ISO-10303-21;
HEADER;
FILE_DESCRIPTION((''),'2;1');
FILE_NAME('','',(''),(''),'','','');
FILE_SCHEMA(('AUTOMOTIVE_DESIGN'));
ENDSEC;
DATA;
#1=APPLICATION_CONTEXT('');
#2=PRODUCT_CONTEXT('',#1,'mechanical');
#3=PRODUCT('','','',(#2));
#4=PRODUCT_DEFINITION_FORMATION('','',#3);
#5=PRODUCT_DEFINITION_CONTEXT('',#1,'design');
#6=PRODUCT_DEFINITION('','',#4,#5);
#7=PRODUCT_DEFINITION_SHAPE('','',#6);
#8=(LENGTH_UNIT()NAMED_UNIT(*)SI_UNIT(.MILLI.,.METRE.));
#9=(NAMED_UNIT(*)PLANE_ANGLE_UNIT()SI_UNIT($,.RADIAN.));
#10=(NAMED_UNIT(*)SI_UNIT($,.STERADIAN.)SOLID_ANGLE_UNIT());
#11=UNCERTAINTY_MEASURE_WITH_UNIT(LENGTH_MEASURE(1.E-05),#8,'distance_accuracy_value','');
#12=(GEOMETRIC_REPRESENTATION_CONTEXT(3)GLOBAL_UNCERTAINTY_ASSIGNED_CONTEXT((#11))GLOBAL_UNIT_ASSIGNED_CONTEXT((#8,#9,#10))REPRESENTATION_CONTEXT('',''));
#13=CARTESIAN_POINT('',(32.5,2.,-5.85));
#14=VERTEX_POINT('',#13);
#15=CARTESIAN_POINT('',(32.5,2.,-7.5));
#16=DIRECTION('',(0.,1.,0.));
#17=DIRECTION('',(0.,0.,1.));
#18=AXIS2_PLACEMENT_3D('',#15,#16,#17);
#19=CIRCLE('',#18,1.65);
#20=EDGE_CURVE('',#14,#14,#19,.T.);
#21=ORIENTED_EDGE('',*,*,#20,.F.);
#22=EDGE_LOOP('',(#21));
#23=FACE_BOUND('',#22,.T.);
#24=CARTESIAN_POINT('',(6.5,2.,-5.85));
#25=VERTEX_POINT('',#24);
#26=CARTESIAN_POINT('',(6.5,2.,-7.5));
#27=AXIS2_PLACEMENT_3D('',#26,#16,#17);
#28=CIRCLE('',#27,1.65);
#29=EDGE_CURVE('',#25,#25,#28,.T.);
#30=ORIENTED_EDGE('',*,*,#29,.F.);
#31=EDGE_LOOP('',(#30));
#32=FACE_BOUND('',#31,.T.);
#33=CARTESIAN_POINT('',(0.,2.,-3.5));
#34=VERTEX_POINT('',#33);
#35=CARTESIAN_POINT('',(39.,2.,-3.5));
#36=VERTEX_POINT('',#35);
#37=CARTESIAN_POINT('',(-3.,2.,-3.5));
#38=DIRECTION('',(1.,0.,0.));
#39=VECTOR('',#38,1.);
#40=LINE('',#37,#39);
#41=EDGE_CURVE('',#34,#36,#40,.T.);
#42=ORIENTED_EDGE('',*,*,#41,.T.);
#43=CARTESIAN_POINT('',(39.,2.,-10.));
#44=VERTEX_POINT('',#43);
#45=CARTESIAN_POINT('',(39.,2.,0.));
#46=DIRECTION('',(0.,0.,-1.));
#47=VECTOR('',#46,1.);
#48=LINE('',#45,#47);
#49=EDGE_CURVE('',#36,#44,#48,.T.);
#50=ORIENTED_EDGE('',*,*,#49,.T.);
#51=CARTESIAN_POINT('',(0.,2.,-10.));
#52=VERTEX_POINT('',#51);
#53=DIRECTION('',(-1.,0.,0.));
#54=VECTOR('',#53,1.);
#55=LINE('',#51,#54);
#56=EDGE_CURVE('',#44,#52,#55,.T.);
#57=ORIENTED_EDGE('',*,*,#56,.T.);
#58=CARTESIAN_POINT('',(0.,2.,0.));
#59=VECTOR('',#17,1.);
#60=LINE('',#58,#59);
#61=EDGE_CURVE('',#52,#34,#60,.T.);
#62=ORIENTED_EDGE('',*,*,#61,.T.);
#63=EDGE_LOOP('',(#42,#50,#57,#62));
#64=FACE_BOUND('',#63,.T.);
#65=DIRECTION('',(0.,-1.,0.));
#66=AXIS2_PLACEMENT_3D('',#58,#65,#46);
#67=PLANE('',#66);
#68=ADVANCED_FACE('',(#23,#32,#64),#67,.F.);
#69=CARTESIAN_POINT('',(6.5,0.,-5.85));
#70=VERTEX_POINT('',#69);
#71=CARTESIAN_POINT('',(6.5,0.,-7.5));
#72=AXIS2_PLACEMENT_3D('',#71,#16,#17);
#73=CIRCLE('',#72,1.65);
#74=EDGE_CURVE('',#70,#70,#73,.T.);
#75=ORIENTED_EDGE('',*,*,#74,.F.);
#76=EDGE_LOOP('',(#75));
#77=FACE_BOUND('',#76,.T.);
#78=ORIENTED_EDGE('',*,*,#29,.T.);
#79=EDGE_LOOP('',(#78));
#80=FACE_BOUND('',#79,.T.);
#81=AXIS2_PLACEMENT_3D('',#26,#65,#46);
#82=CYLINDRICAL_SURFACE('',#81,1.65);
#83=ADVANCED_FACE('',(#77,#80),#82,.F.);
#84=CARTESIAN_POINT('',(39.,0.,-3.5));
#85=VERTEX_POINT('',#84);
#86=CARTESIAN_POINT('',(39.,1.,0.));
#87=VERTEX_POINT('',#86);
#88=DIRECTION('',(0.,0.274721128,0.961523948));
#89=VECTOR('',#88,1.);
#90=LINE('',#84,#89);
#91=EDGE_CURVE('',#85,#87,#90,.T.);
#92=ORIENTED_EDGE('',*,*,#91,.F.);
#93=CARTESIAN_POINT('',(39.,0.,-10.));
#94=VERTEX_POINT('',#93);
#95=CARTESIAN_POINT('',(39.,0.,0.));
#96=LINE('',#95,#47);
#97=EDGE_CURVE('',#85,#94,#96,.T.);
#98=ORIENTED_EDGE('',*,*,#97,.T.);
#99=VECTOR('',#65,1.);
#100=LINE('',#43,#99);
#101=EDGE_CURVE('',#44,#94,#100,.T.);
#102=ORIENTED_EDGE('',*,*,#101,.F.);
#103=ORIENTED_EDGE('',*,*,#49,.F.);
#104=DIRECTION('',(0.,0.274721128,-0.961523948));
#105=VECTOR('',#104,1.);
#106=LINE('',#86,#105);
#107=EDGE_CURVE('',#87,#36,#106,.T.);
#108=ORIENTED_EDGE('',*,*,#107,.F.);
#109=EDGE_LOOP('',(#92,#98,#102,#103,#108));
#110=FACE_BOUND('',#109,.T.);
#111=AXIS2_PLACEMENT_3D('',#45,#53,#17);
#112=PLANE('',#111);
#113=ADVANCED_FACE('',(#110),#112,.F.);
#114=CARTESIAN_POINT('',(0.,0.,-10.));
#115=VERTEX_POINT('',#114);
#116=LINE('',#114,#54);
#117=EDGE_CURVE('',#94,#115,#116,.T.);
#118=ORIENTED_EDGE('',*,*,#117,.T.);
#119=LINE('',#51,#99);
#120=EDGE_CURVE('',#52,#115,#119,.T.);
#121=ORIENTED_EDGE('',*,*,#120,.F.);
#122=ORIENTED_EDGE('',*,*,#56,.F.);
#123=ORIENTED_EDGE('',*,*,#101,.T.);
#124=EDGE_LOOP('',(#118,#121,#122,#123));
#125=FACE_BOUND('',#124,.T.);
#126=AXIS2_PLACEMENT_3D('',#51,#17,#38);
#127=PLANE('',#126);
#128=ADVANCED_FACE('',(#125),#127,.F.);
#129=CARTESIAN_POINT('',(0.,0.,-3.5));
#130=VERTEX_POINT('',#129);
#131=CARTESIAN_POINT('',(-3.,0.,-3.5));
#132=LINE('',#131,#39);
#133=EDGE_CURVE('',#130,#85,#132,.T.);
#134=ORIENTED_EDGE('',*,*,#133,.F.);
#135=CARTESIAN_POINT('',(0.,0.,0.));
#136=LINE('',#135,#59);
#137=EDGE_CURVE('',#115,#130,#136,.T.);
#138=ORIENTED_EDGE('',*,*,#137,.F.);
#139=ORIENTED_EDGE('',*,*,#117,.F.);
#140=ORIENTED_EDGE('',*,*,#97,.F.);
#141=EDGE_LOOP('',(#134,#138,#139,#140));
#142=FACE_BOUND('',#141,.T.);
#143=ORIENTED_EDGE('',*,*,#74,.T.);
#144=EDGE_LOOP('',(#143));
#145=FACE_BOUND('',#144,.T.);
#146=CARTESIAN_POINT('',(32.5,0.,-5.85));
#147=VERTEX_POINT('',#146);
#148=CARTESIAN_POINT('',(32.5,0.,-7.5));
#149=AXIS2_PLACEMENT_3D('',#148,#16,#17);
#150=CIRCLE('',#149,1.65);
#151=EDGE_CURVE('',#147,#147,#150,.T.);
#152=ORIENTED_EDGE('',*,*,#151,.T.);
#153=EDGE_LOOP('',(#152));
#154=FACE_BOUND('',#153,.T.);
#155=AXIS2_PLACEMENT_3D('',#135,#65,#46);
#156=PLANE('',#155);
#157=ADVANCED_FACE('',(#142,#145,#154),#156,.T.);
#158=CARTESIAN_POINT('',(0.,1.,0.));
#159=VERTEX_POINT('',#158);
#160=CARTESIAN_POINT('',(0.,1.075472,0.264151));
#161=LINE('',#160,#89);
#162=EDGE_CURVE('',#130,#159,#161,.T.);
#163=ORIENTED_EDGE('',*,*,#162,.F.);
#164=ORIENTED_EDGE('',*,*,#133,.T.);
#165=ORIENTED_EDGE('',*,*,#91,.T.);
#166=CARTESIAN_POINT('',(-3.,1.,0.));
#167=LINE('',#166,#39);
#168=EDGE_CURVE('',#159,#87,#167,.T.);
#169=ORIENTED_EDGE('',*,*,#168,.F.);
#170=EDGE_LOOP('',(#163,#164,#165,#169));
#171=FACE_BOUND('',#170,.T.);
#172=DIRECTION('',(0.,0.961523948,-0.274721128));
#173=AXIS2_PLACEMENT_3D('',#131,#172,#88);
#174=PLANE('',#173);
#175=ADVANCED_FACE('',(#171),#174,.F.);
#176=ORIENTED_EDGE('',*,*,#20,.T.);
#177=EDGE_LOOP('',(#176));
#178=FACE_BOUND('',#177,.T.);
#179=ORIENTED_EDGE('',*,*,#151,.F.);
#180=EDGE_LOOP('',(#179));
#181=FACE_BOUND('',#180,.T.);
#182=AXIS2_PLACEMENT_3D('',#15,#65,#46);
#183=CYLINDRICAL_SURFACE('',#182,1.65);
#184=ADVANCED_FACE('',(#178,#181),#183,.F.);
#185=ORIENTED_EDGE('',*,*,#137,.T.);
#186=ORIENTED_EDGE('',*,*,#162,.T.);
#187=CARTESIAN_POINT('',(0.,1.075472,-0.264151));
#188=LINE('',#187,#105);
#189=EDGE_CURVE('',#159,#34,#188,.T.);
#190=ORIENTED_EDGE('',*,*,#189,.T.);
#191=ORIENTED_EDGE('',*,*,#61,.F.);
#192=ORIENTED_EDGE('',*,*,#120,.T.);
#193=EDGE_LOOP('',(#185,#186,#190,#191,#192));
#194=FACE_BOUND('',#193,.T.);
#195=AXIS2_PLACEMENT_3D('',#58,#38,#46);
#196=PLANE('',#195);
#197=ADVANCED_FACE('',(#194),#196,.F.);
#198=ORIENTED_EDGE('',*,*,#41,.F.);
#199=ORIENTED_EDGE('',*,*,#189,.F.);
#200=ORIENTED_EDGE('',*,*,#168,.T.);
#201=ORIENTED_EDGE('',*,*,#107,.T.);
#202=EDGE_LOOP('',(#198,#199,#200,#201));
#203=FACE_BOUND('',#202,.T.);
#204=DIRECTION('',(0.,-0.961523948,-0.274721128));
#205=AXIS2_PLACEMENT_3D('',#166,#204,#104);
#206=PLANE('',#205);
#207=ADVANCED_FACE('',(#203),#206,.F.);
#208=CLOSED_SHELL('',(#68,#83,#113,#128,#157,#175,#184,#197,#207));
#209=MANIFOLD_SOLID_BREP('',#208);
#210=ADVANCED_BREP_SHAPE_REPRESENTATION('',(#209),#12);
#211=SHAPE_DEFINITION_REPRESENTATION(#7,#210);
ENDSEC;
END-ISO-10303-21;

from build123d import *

# Parameters (mm, degrees)
SKETCH_1_W          = 39
SKETCH_1_H          = 10
SKETCH_1_R          = 1.65
EXTRUDE_1_DEPTH     = 2
CUT_EXTRUDE_1_DEPTH = 42
CUT_EXTRUDE_2_DEPTH = 42


with BuildPart() as part:
    # 草图1 → 凸台-拉伸1 (new body)
    with BuildSketch(Plane(origin=(0, 0, 0), x_dir=(1, 0, 0), z_dir=(0, 1, 0))):
        with Locations((19.5, 5)):
            Rectangle(SKETCH_1_W, SKETCH_1_H)
        with Locations(Location((6.5, 7.5, 0), (0, 0, 270))):
            Circle(SKETCH_1_R, mode=Mode.SUBTRACT)
        with Locations(Location((32.5, 7.5, 0), (0, 0, 270))):
            Circle(SKETCH_1_R, mode=Mode.SUBTRACT)
    extrude(amount=EXTRUDE_1_DEPTH)

    # 草图2 → 切除-拉伸1 (cut)
    with BuildSketch(Plane(origin=(39, 0, 0), x_dir=(0, 0, -1), z_dir=(1, 0, 0))):
        Polygon((3.5, 2), (0, 2), (0, 1), align=None)
    extrude(amount=-CUT_EXTRUDE_1_DEPTH, mode=Mode.SUBTRACT)

    # 草图3 → 切除-拉伸2 (cut)
    with BuildSketch(Plane(origin=(39, 0, 0), x_dir=(0, 0, -1), z_dir=(1, 0, 0))):
        Polygon((0, 1), (0, 0), (3.5, 0), align=None)
    extrude(amount=-CUT_EXTRUDE_2_DEPTH, mode=Mode.SUBTRACT)


solid = part.part
